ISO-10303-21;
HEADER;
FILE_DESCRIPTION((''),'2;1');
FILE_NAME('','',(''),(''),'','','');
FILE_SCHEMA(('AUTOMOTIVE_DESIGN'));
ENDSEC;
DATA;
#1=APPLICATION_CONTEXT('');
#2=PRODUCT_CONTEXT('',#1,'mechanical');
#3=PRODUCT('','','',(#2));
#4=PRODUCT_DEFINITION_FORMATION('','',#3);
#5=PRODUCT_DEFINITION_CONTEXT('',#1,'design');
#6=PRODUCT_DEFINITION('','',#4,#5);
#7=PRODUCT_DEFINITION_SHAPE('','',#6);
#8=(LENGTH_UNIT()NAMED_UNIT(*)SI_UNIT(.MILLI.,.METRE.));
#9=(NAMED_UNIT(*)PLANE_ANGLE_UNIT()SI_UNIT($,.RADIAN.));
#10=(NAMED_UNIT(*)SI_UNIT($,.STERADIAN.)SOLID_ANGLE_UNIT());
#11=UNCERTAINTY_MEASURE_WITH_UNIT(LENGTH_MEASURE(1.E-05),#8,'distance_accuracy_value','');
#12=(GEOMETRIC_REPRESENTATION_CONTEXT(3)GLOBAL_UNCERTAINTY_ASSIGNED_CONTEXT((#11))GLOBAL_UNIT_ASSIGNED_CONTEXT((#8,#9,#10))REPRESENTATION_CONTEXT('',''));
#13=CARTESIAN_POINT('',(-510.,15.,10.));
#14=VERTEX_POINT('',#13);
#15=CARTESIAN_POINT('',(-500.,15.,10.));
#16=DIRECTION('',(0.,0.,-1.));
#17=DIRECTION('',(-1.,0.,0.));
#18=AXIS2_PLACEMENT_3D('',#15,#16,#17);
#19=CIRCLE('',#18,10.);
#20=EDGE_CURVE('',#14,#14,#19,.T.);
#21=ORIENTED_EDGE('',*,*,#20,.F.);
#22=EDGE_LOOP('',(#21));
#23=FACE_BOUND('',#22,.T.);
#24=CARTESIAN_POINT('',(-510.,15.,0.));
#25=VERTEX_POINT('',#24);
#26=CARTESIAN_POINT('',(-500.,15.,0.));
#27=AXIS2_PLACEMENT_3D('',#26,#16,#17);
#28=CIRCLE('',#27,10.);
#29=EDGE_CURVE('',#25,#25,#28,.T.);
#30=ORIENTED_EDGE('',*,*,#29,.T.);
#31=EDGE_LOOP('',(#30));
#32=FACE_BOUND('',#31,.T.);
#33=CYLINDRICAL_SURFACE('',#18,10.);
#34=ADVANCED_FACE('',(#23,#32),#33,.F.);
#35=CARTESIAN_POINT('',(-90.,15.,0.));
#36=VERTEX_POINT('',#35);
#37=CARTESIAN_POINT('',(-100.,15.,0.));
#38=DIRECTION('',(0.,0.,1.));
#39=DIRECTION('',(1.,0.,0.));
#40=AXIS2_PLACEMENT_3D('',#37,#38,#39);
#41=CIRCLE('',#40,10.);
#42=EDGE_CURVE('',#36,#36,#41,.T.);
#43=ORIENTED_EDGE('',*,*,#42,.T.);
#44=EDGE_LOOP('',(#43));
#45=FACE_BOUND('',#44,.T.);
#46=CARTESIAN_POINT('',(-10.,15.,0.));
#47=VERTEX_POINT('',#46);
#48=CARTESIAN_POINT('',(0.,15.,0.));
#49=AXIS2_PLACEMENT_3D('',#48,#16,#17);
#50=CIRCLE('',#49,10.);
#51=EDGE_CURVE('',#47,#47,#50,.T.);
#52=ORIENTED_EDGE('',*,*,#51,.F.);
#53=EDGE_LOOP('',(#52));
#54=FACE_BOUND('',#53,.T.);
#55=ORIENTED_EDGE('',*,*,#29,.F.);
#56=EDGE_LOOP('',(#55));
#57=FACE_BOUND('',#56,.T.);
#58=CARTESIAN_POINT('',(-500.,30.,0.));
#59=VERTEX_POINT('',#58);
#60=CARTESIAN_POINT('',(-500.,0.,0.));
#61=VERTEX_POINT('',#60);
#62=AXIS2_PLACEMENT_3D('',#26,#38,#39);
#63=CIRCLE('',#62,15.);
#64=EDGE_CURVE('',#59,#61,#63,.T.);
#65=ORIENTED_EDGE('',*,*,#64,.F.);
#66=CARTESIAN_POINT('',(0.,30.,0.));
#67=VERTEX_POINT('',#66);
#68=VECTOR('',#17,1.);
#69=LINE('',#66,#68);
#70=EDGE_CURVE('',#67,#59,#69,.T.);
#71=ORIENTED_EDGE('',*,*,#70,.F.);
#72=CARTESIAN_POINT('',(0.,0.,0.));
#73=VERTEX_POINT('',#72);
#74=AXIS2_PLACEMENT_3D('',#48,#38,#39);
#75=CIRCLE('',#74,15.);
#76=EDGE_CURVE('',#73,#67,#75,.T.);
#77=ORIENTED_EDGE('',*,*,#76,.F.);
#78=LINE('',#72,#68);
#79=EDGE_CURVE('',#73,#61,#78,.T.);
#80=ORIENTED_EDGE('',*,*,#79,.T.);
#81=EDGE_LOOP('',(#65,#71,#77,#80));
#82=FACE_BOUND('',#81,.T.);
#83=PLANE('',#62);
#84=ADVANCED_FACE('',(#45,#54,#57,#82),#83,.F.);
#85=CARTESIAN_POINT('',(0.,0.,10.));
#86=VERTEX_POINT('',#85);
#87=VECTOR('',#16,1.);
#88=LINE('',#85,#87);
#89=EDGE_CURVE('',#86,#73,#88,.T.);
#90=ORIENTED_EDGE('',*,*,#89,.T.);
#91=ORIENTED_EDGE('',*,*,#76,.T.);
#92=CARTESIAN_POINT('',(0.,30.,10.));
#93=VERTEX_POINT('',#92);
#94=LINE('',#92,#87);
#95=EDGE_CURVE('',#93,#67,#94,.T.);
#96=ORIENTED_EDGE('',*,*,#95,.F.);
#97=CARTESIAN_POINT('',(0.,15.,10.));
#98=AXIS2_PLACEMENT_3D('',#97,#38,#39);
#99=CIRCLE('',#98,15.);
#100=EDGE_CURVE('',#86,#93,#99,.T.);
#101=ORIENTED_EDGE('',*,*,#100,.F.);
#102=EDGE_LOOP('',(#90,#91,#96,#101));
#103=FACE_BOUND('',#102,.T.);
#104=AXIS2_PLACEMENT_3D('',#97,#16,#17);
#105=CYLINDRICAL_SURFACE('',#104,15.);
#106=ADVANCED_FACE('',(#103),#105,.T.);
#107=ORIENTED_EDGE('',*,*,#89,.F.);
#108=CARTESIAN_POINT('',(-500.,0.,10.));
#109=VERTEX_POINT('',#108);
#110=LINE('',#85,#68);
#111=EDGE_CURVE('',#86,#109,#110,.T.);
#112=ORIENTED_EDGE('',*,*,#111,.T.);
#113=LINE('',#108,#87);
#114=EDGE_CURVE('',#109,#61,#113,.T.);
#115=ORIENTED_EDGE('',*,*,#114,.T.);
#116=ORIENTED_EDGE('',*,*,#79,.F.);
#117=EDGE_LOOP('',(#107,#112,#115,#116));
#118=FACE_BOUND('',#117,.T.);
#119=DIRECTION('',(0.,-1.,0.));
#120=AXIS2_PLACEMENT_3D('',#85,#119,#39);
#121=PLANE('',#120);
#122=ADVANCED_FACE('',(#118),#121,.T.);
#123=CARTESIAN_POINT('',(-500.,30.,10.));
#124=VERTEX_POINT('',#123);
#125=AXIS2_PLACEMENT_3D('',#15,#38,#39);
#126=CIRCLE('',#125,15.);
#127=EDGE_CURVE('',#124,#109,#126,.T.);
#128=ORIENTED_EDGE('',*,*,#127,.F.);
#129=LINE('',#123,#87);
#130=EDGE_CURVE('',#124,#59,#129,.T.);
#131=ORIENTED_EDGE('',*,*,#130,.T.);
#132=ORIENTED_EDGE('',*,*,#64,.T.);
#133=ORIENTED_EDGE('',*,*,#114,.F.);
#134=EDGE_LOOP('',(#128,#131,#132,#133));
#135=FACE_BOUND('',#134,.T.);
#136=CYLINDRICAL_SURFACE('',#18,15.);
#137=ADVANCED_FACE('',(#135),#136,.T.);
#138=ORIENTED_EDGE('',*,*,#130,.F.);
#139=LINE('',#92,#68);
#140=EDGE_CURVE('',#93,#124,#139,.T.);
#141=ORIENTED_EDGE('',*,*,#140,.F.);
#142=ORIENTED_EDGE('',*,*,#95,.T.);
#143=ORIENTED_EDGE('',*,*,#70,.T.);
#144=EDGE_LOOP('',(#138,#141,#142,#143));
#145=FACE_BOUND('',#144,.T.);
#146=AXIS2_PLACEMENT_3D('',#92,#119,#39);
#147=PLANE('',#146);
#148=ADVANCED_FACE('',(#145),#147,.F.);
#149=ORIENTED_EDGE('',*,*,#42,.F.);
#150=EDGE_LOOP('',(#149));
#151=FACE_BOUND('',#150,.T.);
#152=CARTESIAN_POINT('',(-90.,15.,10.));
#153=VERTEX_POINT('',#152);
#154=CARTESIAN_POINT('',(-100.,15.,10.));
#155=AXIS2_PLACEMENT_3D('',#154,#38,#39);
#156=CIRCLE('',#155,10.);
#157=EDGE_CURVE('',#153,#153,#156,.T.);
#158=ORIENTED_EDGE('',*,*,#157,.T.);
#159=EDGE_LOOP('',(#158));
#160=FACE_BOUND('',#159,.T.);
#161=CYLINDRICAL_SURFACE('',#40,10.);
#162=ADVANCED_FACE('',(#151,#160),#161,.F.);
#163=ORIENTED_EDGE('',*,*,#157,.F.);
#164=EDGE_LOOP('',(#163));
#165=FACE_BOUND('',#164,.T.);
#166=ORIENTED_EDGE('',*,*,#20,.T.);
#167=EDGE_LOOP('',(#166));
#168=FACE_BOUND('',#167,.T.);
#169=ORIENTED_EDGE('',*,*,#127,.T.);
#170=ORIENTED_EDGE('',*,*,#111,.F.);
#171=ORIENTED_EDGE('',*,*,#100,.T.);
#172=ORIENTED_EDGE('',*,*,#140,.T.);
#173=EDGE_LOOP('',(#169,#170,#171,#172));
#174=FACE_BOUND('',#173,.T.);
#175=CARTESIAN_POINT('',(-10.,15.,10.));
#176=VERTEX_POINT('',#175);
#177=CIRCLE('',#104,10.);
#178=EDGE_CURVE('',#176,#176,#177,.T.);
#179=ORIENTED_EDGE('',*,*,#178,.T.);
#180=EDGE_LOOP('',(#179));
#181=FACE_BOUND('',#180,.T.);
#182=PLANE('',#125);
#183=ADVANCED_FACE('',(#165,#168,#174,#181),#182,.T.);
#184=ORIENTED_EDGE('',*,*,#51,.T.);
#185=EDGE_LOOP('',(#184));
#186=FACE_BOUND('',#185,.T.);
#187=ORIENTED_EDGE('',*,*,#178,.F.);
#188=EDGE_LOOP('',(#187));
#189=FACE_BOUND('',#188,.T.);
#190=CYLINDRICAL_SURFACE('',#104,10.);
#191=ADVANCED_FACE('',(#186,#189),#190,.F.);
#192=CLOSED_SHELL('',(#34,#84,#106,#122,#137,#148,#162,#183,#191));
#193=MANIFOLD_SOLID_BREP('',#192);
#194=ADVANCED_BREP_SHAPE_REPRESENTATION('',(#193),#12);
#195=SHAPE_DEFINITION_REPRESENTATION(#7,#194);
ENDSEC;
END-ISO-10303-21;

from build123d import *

# Parameters (mm, degrees)
EXTRUDE_2_DEPTH     = 10
SKETCH_2_R          = 10
CUT_EXTRUDE_1_DEPTH = 10
SKETCH_3_R          = 10
CUT_EXTRUDE_2_DEPTH = 10


with BuildPart() as part:
    # Эскиз1 → Бобышка-Вытянуть2 (new body)
    with BuildSketch(Plane.XY):
        with BuildLine():
            Line((0, 0), (-500, 0))
            ThreePointArc((-500, 0), (-515, 15), (-500, 30))
            Line((-500, 30), (0, 30))
            ThreePointArc((0, 30), (15, 15), (0, 0))
        make_face()
    extrude(amount=EXTRUDE_2_DEPTH)

    # Эскиз2 → Вырез-Вытянуть1 (cut)
    with BuildSketch(Plane(origin=(0, 0, 0), x_dir=(-1, 0, 0), z_dir=(0, 0, -1))):
        with Locations((0, 15)):
            Circle(SKETCH_2_R)
        with Locations((500, 15)):
            Circle(SKETCH_2_R)
    extrude(amount=-CUT_EXTRUDE_1_DEPTH, mode=Mode.SUBTRACT)

    # Эскиз3 → Вырез-Вытянуть2 (cut)
    with BuildSketch(Plane.XY.offset(10)):
        with Locations((-100, 15)):
            Circle(SKETCH_3_R)
    extrude(amount=-CUT_EXTRUDE_2_DEPTH, mode=Mode.SUBTRACT)


solid = part.part
